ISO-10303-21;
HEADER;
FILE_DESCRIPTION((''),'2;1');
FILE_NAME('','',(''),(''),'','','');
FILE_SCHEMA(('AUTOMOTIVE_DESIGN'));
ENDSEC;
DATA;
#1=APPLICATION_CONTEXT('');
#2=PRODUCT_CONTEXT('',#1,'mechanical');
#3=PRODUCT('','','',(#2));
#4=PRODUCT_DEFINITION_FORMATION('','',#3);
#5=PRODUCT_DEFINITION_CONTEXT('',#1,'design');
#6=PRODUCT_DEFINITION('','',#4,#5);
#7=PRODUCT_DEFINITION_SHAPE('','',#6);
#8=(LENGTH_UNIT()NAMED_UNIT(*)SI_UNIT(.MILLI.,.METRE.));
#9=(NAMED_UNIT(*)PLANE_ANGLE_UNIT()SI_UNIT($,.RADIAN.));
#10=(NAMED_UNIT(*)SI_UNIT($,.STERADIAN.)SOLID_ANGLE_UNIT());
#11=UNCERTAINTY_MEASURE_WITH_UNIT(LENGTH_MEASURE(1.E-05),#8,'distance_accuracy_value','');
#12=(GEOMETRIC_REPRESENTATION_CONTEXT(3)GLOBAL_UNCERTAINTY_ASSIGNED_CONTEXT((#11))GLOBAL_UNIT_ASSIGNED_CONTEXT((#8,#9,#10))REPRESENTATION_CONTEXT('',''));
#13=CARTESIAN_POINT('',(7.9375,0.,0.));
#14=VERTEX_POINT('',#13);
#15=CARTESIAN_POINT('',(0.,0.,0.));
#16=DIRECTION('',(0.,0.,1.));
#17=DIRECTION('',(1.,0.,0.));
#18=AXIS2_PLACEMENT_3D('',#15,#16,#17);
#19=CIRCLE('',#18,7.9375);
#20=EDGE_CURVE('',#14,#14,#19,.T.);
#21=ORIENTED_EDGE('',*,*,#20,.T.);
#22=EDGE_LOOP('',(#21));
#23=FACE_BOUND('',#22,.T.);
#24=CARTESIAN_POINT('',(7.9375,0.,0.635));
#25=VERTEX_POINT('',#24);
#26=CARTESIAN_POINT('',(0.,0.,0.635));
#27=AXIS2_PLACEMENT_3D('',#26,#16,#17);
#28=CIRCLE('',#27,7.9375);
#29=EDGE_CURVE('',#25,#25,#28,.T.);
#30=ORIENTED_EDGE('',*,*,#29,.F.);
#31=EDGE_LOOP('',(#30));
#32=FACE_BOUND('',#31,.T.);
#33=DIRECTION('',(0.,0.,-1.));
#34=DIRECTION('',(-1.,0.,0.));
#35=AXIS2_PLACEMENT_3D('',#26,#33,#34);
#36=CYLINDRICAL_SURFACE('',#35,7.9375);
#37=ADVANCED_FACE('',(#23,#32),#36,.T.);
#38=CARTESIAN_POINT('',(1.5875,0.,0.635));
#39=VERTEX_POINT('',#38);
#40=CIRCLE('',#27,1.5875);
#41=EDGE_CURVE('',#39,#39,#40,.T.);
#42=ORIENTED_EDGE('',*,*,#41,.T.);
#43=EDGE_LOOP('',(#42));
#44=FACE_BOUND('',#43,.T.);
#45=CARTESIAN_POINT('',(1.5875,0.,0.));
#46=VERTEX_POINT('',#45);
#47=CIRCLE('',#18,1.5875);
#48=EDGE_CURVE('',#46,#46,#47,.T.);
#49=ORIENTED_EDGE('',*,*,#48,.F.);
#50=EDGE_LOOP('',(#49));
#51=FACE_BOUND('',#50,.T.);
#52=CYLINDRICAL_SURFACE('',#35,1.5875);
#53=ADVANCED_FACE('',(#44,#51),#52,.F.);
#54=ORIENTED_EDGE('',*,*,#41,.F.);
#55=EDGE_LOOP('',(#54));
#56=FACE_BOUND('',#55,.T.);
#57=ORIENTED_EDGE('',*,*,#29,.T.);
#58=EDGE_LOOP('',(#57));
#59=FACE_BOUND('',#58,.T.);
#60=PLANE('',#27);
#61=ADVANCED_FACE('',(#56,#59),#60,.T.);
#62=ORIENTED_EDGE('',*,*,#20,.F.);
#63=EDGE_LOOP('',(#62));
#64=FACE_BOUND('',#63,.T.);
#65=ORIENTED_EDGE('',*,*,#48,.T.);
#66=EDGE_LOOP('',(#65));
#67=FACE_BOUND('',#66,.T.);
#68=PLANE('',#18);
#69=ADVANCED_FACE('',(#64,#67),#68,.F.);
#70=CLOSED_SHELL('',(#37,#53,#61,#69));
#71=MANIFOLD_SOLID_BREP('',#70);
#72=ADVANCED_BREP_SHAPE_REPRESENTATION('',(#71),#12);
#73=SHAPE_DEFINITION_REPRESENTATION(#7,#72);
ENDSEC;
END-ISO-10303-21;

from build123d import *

# Parameters (mm, degrees)
SKETCH1_R           = 7.9375
SKETCH1_R_2         = 1.5875
BOSS_EXTRUDE1_DEPTH = 0.635


with BuildPart() as part:
    # Sketch1 → Boss-Extrude1 (new body)
    with BuildSketch(Plane.XY):
        Circle(SKETCH1_R)
        Circle(SKETCH1_R_2, mode=Mode.SUBTRACT)
    extrude(amount=BOSS_EXTRUDE1_DEPTH)


solid = part.part
